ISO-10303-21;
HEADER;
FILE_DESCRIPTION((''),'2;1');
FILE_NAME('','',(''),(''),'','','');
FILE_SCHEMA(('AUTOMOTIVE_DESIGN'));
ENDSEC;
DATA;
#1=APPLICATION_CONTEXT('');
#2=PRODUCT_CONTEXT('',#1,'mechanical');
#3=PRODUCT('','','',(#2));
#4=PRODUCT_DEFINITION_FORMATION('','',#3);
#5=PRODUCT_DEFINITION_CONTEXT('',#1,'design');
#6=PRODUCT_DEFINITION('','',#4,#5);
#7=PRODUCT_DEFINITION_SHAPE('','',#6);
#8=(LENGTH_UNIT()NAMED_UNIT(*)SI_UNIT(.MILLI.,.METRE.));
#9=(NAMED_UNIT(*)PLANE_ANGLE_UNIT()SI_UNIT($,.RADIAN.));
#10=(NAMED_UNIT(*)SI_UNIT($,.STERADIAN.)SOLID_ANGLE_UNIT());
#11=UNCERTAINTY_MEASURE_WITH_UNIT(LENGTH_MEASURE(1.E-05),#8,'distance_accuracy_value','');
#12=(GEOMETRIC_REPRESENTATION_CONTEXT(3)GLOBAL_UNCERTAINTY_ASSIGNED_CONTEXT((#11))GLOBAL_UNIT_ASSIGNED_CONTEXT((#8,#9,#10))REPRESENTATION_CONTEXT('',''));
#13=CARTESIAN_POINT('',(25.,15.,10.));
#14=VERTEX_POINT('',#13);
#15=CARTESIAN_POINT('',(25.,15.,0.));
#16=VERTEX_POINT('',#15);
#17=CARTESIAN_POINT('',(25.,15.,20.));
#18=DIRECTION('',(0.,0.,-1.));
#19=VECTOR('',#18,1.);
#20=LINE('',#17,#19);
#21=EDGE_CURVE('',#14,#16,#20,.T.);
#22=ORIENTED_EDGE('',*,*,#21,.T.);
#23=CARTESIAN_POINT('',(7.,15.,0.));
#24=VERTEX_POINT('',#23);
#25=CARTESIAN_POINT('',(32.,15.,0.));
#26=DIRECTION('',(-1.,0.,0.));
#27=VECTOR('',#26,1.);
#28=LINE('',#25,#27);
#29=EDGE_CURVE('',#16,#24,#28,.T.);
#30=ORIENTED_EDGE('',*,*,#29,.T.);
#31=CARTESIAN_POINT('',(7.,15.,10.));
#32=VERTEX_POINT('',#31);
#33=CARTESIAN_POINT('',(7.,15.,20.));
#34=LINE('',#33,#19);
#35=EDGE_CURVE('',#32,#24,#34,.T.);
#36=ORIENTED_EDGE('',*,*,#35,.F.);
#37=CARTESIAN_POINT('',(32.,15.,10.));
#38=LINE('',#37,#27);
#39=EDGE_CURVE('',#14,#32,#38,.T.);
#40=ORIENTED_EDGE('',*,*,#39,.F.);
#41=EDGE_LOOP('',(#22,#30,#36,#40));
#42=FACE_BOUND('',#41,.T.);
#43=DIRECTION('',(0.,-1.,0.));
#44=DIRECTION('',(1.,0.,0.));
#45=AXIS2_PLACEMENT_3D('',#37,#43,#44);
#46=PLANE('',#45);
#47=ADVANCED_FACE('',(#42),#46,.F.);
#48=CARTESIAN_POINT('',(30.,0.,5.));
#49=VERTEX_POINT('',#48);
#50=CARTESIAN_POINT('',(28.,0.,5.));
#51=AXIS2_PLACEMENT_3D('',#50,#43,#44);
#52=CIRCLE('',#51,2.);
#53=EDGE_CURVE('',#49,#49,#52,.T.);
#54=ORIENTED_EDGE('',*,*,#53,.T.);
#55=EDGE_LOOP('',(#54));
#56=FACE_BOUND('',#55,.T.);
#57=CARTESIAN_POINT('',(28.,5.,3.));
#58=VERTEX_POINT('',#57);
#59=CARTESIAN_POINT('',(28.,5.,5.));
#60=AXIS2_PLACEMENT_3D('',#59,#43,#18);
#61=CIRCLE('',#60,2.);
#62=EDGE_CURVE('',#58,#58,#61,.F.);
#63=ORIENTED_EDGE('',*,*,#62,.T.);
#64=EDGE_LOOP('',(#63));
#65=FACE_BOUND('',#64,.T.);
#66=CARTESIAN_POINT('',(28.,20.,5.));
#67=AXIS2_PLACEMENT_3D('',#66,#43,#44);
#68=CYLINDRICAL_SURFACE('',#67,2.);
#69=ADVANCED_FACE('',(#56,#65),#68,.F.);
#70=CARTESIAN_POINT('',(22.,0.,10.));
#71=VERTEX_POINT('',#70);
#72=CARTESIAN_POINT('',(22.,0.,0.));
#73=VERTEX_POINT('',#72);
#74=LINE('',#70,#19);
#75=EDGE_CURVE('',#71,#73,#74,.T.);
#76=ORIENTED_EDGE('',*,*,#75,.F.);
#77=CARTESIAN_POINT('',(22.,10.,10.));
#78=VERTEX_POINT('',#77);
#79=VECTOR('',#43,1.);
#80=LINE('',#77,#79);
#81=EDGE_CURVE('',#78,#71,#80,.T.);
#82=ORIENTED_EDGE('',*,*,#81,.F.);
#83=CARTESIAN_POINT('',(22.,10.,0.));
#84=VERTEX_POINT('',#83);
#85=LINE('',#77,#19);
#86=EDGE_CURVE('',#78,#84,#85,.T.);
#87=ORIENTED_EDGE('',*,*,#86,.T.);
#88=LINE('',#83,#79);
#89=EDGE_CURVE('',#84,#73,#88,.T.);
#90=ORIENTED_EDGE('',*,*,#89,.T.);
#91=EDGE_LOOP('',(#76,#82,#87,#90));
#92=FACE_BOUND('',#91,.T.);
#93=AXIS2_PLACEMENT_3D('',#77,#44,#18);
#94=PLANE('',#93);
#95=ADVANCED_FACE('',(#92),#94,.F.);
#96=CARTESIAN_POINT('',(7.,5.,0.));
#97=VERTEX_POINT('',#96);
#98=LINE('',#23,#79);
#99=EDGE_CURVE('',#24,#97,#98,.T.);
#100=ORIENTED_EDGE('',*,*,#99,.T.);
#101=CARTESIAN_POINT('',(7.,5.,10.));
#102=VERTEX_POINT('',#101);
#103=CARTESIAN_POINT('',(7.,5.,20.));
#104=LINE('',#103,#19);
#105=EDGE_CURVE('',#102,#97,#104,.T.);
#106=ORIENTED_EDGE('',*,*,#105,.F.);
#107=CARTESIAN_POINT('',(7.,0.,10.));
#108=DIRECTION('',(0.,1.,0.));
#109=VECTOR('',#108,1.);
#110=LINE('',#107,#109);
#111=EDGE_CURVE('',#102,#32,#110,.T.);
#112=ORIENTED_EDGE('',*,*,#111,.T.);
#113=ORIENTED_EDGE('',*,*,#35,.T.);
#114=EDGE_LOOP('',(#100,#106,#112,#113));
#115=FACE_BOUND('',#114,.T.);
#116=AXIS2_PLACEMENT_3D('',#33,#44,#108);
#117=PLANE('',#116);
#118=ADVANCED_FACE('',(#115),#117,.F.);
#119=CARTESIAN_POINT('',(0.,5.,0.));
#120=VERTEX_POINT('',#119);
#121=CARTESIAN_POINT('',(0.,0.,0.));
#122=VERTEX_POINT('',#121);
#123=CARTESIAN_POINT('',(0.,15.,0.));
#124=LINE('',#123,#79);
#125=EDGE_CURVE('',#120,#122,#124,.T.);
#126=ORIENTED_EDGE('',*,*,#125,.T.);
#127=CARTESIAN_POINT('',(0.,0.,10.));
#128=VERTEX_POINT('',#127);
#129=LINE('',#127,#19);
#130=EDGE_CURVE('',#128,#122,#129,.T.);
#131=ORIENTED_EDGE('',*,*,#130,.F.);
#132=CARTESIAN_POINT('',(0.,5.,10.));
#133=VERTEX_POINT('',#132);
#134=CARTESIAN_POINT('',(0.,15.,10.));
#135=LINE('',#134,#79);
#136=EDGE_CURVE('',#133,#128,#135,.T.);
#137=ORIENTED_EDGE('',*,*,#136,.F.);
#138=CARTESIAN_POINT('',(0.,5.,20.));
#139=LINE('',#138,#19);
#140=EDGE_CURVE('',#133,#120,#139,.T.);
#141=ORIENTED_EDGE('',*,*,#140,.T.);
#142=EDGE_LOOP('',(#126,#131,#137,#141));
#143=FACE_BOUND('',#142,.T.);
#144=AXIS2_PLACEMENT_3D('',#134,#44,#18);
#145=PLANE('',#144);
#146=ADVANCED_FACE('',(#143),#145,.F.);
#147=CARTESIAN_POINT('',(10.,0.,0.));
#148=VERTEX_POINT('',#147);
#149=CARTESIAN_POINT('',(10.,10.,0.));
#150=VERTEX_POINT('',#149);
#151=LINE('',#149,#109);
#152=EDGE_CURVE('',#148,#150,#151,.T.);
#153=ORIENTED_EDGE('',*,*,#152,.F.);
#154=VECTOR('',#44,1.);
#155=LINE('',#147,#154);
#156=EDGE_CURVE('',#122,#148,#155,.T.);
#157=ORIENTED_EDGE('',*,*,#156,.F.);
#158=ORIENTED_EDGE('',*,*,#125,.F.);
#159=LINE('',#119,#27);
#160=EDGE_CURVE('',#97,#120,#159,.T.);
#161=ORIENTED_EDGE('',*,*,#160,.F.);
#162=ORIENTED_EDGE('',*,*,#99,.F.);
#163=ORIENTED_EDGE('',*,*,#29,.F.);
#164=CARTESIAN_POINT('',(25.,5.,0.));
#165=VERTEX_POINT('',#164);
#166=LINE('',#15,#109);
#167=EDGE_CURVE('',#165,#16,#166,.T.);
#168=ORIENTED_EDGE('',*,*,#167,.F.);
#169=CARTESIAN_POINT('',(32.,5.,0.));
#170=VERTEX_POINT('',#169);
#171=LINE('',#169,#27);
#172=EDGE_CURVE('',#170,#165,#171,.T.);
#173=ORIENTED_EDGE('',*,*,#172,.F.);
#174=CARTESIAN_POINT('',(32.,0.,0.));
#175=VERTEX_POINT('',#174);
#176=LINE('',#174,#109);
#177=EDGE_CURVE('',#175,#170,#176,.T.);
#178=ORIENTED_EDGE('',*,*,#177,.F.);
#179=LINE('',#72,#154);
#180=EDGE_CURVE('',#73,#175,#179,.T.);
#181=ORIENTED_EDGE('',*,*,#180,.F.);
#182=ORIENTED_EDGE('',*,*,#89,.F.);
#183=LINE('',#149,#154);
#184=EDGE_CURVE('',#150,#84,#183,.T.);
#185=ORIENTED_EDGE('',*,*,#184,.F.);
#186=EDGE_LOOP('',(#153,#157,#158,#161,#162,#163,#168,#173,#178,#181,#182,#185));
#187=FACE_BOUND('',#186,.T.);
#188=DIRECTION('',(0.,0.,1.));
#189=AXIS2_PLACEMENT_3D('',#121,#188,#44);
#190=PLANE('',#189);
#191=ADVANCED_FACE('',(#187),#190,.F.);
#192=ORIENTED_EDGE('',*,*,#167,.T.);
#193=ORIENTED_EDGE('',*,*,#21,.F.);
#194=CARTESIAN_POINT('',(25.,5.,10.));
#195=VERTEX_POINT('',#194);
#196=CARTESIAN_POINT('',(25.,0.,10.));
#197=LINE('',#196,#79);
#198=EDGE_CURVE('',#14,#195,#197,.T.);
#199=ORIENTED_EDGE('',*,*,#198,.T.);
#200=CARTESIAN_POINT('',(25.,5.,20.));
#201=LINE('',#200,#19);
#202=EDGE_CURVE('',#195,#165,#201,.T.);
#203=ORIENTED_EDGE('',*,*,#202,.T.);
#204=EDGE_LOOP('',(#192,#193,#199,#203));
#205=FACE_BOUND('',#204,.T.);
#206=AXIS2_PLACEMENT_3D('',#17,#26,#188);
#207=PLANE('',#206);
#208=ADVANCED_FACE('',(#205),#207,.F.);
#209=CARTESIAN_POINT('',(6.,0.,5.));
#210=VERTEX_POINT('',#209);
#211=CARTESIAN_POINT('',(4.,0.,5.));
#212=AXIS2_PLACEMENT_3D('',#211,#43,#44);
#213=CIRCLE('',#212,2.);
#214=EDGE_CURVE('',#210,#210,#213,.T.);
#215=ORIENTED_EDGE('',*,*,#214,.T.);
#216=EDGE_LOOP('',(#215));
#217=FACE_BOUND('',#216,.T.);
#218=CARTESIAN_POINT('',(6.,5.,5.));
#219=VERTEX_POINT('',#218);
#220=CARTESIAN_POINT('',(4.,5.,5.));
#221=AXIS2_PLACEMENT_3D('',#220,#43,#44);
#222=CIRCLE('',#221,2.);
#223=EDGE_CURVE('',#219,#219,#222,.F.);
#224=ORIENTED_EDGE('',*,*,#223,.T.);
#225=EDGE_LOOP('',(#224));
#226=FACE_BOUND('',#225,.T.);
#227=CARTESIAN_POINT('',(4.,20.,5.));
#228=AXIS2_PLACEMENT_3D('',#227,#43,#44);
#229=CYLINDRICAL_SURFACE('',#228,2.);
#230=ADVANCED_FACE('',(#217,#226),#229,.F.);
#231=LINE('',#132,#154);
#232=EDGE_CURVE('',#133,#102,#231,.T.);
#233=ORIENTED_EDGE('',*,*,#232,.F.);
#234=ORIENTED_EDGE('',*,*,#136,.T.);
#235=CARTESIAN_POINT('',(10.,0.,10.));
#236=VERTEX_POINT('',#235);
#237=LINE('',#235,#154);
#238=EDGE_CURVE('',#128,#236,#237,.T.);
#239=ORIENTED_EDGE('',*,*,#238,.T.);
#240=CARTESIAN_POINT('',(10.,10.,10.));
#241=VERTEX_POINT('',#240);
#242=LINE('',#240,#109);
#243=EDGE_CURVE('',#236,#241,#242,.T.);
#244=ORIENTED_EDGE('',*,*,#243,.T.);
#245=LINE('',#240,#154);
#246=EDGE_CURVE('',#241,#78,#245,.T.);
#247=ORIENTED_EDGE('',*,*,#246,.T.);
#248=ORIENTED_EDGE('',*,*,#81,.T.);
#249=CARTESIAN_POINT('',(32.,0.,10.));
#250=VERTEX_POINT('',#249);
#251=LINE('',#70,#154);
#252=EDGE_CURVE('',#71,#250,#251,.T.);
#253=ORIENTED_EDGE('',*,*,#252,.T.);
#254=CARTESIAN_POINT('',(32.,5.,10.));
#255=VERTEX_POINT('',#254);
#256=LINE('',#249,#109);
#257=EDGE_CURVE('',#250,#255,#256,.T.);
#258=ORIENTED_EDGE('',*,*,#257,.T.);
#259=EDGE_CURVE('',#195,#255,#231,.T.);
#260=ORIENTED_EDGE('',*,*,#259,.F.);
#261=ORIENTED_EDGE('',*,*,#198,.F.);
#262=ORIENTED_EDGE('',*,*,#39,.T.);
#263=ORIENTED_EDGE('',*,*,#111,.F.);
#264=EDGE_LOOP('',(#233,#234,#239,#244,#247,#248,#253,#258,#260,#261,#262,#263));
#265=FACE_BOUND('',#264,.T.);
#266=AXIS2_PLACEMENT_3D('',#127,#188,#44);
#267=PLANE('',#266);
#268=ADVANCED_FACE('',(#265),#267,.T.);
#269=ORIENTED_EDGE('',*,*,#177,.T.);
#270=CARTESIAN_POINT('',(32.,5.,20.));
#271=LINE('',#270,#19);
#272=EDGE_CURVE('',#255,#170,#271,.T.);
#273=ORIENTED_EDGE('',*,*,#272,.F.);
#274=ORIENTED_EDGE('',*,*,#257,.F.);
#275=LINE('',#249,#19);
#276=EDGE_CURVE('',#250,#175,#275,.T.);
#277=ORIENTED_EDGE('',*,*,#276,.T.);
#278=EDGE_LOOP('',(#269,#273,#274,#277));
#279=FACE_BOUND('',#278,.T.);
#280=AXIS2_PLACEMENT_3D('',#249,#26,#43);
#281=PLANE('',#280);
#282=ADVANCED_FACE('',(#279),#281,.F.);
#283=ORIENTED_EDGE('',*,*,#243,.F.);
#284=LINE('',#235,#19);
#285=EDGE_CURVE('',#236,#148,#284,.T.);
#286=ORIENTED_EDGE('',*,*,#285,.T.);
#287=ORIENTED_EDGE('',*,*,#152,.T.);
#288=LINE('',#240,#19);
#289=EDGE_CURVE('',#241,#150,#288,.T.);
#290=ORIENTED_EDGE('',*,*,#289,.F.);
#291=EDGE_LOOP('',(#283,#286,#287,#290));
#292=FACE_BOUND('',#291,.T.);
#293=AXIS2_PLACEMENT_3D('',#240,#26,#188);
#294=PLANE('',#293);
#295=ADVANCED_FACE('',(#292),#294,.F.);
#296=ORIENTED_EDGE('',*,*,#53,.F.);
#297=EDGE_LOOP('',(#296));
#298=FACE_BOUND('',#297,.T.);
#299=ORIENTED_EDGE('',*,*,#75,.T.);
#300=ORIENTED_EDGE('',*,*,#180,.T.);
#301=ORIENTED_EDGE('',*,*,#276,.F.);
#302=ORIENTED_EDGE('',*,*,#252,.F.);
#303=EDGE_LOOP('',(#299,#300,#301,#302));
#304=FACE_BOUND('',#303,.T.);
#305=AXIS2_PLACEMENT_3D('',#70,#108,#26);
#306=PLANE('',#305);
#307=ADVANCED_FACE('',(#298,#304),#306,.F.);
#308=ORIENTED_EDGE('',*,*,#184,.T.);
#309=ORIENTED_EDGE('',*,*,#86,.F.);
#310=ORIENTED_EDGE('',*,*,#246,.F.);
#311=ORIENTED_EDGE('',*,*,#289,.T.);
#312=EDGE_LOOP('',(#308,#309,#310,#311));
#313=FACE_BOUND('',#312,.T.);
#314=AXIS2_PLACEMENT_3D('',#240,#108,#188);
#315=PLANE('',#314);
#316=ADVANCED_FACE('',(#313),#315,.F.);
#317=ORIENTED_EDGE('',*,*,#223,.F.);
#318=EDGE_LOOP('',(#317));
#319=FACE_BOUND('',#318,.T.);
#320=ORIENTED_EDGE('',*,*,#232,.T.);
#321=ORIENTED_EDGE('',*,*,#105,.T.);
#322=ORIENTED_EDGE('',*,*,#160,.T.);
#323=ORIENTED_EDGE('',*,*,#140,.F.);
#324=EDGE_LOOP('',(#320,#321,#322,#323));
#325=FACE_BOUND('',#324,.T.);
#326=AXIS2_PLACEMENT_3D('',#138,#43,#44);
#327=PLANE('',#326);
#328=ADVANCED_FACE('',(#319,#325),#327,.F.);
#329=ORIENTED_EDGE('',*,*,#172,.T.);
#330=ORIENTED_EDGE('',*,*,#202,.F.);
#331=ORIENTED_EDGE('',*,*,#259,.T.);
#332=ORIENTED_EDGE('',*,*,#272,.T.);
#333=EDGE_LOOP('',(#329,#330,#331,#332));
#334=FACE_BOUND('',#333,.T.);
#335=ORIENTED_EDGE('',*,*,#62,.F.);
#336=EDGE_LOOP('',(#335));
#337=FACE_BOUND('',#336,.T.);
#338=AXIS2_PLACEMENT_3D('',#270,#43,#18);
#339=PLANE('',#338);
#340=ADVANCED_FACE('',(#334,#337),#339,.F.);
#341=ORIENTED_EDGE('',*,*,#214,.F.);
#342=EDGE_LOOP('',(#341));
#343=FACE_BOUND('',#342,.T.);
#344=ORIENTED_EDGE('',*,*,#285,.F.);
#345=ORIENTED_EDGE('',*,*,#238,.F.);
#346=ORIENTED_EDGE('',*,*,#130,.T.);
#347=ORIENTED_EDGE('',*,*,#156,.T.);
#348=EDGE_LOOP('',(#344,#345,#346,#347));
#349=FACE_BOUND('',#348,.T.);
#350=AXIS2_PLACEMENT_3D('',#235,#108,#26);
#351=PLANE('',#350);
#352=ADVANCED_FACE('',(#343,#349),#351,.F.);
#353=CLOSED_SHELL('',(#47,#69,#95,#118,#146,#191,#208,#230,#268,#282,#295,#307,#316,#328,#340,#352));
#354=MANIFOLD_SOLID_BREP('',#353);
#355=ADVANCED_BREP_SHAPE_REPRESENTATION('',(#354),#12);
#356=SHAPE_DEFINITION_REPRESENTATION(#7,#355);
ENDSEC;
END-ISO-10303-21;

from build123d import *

# Parameters (mm, degrees)
RESSALTO_EXTRUS_O1_DEPTH = 10
ESBO_O2_R                = 2
CORTE_EXTRUS_O1_DEPTH    = 20
ESBO_O4_W                = 7
ESBO_O4_H                = 10
CORTE_EXTRUS_O2_DEPTH    = 20


with BuildPart() as part:
    # Esboço1 → Ressalto-extrusão1 (new body)
    with BuildSketch(Plane.XY):
        Polygon((32, 0), (32, 15), (0, 15), (0, 0), (10, 0), (10, 10), (22, 10), (22, 0), align=None)
    extrude(amount=RESSALTO_EXTRUS_O1_DEPTH)

    # Esboço2 → Corte-extrusão1 (cut)
    with BuildSketch(Plane(origin=(0, 0, 0), x_dir=(-1, 0, 0), z_dir=(0, -1, 0))):
        with Locations((-4, -5)):
            Circle(ESBO_O2_R)
        with Locations((-28, -5)):
            Circle(ESBO_O2_R)
    extrude(amount=-CORTE_EXTRUS_O1_DEPTH, mode=Mode.SUBTRACT)

    # Esboço4 → Corte-extrusão2 (cut)
    with BuildSketch(Plane(origin=(0, 0, 0), x_dir=(-1, 0, 0), z_dir=(0, 0, -1))):
        with Locations((-28.5, 10)):
            Rectangle(ESBO_O4_W, ESBO_O4_H)
        with Locations((-3.5, 10)):
            Rectangle(ESBO_O4_W, ESBO_O4_H)
    extrude(amount=-CORTE_EXTRUS_O2_DEPTH, mode=Mode.SUBTRACT)


solid = part.part
